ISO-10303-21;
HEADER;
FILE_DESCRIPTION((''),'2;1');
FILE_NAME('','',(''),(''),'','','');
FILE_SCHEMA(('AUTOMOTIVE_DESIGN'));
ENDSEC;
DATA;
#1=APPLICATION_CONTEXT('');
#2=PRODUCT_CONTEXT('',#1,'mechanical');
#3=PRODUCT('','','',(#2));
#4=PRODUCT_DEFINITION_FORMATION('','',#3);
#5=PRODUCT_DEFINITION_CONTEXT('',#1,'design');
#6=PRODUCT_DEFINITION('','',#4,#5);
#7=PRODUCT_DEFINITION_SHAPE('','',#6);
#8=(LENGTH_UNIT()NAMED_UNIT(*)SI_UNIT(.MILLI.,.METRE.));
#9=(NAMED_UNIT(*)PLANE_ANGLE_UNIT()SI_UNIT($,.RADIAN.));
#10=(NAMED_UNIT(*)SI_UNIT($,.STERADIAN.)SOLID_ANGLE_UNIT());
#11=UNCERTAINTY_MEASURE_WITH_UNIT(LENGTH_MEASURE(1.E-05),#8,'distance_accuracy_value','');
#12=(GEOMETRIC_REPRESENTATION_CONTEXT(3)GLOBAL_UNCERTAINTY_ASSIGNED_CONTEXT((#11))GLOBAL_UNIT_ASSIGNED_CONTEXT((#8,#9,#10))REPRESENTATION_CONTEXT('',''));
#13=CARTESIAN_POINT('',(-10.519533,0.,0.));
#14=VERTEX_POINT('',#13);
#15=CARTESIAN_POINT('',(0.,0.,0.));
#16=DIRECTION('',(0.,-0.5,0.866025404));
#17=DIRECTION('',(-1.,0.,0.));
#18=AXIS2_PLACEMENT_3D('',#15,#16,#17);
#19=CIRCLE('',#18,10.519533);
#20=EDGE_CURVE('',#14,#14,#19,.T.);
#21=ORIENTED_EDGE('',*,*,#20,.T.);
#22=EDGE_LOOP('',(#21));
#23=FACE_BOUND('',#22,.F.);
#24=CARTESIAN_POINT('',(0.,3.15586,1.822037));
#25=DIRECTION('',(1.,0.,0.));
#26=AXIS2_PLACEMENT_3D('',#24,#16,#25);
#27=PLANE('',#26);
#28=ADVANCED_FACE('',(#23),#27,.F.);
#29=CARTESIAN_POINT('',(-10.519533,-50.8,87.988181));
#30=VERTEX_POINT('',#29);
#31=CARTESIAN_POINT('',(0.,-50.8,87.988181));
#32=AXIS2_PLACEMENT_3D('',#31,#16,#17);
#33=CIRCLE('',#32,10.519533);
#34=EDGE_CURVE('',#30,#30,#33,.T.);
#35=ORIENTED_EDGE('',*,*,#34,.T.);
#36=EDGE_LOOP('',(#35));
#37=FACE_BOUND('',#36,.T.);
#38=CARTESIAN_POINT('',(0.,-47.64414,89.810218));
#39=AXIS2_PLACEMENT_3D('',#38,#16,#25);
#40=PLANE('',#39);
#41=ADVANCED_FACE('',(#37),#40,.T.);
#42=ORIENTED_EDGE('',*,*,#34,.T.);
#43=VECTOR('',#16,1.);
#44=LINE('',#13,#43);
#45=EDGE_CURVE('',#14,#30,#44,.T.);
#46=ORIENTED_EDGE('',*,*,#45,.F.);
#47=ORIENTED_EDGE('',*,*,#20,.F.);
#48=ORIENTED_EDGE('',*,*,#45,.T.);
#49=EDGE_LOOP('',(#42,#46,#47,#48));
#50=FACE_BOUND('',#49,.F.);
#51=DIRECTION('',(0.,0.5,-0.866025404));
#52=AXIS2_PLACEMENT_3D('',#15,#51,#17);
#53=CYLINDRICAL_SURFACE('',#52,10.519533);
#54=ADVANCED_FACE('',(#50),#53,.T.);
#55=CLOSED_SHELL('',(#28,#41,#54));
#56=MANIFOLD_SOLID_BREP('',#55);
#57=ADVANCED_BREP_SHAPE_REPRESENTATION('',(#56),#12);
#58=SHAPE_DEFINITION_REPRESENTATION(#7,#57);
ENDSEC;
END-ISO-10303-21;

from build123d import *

# Parameters (mm, degrees)
F1_DEPTH = 101.6
F2_ANGLE = 30


with BuildPart() as f1:
    # F0 (on Top) → F1 (new body)
    with BuildSketch(Plane.XY):
        with BuildLine():
            Line((-10.5195328858, 0), (10.5195328858, 0))
            ThreePointArc((10.5195328858, 0), (0, 10.5195328858), (-10.5195328858, 0))
        make_face()
        with BuildLine():
            ThreePointArc((-10.5195328858, 0), (0, -10.5195328858), (10.5195328858, 0))
            Line((10.5195328858, 0), (-10.5195328858, 0))
        make_face()
    extrude(amount=F1_DEPTH)


with BuildPart() as f1_1:
    # F2: moved
    add(f1.part.rotate(Axis((0, 0, 0), (1, 0, 0)), F2_ANGLE))


solid = f1_1.part
